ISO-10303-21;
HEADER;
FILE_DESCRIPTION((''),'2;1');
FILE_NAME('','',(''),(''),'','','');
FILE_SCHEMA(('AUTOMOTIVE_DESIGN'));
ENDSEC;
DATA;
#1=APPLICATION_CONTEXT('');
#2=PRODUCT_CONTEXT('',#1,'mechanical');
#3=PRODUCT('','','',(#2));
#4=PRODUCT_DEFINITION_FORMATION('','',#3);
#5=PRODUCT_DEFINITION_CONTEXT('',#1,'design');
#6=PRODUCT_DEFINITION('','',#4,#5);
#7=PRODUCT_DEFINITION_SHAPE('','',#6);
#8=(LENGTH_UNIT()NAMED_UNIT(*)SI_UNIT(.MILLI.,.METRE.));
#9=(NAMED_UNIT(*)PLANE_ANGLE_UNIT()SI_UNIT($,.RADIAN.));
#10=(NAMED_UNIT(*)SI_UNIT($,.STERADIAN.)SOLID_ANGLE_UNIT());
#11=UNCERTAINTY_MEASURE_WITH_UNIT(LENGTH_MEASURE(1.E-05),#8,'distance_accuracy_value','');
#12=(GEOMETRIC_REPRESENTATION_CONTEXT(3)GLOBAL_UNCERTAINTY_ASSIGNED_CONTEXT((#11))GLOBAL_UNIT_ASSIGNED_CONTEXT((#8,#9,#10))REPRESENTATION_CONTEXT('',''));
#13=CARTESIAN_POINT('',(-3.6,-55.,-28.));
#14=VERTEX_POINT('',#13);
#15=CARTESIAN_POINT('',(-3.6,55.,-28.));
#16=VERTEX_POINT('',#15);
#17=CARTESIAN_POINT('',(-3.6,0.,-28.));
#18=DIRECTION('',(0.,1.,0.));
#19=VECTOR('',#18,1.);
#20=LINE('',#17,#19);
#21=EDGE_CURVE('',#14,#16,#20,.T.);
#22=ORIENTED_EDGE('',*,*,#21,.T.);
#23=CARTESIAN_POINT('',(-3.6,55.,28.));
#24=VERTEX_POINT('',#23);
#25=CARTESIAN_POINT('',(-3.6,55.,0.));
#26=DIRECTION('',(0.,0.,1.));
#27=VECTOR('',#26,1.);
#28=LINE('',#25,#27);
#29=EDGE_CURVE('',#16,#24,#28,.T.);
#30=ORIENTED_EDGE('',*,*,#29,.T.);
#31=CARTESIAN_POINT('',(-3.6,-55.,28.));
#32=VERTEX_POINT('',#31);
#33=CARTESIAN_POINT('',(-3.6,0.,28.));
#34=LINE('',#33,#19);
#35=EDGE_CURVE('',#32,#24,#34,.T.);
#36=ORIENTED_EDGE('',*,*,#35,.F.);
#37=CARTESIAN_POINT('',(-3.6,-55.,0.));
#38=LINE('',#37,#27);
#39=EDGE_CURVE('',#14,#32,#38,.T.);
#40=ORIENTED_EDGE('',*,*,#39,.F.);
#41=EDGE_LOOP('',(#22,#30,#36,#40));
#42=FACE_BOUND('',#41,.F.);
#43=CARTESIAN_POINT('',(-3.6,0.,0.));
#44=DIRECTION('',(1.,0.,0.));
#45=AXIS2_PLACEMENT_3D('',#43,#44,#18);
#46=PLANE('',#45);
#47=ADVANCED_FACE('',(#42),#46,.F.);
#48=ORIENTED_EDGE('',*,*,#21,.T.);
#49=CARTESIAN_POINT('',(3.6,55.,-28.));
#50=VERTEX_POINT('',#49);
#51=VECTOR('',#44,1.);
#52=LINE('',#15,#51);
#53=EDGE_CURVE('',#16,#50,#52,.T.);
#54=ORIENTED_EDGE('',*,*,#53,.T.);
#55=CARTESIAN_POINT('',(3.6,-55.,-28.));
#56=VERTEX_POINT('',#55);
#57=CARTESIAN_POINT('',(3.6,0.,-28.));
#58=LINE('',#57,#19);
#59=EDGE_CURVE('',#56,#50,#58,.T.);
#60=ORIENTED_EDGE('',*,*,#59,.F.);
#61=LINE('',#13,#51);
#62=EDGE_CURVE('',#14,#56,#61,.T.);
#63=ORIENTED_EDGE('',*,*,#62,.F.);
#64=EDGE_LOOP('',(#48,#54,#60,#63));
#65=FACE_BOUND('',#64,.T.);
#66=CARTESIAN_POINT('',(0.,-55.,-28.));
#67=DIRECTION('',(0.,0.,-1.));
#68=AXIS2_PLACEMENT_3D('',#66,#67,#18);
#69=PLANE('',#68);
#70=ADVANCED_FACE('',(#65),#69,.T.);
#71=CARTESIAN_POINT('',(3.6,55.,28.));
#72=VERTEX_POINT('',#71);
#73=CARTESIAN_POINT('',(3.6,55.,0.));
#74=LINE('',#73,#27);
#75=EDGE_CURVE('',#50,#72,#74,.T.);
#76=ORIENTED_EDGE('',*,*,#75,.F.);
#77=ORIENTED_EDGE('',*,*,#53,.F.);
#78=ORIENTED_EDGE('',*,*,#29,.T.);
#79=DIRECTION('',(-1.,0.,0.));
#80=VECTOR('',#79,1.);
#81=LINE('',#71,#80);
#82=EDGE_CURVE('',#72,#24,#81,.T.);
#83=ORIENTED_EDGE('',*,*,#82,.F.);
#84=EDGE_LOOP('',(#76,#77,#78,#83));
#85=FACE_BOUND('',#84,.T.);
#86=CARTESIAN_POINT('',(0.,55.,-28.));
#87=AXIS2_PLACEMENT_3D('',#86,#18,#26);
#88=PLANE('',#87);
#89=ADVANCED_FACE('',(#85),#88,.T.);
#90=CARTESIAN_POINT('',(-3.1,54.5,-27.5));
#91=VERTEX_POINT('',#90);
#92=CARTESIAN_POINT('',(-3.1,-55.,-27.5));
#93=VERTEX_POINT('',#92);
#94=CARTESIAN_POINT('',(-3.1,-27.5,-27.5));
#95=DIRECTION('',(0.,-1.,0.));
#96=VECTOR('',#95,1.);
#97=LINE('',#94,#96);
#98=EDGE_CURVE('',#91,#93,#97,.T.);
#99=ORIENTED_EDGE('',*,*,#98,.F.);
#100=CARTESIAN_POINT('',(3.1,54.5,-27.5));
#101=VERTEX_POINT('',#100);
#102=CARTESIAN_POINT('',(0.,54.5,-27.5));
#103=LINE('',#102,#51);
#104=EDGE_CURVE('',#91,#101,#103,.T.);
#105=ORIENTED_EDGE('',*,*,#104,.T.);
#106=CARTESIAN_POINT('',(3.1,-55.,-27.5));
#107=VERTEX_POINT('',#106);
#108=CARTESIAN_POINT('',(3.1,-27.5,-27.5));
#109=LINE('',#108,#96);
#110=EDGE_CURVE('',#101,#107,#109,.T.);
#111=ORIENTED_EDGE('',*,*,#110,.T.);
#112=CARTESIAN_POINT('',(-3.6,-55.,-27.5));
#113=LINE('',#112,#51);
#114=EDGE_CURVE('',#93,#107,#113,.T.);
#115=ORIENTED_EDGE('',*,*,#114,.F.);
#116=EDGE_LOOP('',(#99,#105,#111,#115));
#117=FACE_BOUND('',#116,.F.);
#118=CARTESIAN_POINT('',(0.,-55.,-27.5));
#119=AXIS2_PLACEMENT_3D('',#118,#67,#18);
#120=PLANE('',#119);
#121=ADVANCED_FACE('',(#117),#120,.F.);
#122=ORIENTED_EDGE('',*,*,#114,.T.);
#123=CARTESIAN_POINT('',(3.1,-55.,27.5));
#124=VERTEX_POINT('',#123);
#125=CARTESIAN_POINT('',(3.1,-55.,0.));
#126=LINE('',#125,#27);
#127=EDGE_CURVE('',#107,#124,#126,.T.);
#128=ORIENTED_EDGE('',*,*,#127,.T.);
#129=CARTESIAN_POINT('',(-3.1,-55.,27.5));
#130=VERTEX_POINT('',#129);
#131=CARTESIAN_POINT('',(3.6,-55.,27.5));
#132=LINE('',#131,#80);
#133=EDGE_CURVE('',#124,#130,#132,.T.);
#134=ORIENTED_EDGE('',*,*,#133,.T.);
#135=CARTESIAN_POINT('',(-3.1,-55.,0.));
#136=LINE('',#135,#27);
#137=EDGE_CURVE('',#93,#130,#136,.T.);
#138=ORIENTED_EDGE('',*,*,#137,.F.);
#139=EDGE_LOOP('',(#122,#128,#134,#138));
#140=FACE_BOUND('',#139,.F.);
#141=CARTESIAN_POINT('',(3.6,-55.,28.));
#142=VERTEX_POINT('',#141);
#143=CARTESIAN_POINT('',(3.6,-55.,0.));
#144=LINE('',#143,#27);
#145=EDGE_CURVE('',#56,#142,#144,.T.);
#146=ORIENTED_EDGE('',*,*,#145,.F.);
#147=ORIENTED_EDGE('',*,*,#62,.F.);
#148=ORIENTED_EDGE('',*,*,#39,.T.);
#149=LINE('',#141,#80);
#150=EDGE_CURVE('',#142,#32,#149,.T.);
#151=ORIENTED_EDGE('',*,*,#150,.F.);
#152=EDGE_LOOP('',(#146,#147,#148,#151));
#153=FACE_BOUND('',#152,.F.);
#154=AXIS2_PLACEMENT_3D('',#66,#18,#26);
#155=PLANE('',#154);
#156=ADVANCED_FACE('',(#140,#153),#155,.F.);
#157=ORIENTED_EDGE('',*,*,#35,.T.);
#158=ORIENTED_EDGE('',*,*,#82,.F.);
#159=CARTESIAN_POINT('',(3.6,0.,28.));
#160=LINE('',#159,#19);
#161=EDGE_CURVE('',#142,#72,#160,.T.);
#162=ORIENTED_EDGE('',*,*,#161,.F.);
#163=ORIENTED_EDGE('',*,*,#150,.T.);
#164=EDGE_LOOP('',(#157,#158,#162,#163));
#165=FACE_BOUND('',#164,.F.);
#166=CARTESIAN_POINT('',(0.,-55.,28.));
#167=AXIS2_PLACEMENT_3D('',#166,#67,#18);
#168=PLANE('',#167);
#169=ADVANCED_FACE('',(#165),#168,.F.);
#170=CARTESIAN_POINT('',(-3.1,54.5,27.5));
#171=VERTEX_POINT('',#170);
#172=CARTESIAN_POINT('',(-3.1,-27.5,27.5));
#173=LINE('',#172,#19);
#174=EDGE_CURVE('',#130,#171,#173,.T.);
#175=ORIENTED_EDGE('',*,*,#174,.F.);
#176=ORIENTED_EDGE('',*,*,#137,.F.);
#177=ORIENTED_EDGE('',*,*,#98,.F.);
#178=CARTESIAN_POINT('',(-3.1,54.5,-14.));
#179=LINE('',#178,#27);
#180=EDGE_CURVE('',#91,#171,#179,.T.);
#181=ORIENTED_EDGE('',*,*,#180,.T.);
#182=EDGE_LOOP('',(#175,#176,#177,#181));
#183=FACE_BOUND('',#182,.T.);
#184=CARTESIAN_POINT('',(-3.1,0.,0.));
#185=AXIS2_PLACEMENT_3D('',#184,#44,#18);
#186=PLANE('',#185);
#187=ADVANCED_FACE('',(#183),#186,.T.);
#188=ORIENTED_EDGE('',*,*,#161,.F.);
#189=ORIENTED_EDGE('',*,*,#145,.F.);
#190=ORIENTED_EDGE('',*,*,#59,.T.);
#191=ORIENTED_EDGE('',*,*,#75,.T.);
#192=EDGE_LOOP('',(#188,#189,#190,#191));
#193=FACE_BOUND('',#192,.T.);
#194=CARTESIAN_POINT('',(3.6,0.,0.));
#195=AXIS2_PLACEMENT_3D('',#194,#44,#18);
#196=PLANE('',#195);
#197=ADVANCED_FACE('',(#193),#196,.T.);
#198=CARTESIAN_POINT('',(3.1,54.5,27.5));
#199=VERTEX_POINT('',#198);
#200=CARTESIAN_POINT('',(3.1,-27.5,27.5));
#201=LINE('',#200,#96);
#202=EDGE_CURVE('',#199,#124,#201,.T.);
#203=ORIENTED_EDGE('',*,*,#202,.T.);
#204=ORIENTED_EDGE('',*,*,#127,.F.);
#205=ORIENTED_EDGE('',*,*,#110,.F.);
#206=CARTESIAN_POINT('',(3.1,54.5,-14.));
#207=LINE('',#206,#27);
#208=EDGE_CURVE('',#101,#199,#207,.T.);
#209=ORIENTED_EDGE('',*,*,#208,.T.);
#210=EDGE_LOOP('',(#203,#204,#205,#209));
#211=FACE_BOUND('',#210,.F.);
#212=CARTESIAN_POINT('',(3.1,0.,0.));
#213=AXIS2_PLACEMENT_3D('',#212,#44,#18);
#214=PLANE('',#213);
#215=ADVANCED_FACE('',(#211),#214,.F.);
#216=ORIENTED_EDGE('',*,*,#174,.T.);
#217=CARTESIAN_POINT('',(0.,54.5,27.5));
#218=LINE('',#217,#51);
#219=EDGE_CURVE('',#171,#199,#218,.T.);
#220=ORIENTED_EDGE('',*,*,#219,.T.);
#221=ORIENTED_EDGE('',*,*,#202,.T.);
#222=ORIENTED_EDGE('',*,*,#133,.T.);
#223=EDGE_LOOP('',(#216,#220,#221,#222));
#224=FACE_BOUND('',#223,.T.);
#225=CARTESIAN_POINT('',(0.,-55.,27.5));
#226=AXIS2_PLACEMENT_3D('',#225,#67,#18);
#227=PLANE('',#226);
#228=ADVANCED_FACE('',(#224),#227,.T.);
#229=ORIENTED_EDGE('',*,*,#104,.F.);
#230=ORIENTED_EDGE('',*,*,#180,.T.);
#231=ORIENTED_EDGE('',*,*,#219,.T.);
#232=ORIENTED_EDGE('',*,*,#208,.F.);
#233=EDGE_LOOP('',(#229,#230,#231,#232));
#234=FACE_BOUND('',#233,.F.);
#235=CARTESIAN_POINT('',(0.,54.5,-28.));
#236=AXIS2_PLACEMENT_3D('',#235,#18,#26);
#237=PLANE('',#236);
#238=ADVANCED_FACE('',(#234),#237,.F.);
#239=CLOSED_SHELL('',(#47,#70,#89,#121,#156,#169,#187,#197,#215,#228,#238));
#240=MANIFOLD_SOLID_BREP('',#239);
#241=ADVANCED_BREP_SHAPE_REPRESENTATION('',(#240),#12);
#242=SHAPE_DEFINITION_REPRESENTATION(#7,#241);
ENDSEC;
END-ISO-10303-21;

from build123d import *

# Parameters (mm, degrees)
F0_W     = 110
F0_H     = 56
F1_DEPTH = 3.6
F2_T     = -0.5


with BuildPart() as f1:
    # F0 (on Right) → F1 (new body, symmetric)
    with BuildSketch(Plane.YZ):
        Rectangle(F0_W, F0_H)
    extrude(amount=F1_DEPTH, both=True)

    # F2
    f2_openings = [f1.faces().sort_by_distance(p)[0] for p in [
        (0, -55, 0),
    ]]
    offset(amount=F2_T, openings=f2_openings)


solid = f1.part
